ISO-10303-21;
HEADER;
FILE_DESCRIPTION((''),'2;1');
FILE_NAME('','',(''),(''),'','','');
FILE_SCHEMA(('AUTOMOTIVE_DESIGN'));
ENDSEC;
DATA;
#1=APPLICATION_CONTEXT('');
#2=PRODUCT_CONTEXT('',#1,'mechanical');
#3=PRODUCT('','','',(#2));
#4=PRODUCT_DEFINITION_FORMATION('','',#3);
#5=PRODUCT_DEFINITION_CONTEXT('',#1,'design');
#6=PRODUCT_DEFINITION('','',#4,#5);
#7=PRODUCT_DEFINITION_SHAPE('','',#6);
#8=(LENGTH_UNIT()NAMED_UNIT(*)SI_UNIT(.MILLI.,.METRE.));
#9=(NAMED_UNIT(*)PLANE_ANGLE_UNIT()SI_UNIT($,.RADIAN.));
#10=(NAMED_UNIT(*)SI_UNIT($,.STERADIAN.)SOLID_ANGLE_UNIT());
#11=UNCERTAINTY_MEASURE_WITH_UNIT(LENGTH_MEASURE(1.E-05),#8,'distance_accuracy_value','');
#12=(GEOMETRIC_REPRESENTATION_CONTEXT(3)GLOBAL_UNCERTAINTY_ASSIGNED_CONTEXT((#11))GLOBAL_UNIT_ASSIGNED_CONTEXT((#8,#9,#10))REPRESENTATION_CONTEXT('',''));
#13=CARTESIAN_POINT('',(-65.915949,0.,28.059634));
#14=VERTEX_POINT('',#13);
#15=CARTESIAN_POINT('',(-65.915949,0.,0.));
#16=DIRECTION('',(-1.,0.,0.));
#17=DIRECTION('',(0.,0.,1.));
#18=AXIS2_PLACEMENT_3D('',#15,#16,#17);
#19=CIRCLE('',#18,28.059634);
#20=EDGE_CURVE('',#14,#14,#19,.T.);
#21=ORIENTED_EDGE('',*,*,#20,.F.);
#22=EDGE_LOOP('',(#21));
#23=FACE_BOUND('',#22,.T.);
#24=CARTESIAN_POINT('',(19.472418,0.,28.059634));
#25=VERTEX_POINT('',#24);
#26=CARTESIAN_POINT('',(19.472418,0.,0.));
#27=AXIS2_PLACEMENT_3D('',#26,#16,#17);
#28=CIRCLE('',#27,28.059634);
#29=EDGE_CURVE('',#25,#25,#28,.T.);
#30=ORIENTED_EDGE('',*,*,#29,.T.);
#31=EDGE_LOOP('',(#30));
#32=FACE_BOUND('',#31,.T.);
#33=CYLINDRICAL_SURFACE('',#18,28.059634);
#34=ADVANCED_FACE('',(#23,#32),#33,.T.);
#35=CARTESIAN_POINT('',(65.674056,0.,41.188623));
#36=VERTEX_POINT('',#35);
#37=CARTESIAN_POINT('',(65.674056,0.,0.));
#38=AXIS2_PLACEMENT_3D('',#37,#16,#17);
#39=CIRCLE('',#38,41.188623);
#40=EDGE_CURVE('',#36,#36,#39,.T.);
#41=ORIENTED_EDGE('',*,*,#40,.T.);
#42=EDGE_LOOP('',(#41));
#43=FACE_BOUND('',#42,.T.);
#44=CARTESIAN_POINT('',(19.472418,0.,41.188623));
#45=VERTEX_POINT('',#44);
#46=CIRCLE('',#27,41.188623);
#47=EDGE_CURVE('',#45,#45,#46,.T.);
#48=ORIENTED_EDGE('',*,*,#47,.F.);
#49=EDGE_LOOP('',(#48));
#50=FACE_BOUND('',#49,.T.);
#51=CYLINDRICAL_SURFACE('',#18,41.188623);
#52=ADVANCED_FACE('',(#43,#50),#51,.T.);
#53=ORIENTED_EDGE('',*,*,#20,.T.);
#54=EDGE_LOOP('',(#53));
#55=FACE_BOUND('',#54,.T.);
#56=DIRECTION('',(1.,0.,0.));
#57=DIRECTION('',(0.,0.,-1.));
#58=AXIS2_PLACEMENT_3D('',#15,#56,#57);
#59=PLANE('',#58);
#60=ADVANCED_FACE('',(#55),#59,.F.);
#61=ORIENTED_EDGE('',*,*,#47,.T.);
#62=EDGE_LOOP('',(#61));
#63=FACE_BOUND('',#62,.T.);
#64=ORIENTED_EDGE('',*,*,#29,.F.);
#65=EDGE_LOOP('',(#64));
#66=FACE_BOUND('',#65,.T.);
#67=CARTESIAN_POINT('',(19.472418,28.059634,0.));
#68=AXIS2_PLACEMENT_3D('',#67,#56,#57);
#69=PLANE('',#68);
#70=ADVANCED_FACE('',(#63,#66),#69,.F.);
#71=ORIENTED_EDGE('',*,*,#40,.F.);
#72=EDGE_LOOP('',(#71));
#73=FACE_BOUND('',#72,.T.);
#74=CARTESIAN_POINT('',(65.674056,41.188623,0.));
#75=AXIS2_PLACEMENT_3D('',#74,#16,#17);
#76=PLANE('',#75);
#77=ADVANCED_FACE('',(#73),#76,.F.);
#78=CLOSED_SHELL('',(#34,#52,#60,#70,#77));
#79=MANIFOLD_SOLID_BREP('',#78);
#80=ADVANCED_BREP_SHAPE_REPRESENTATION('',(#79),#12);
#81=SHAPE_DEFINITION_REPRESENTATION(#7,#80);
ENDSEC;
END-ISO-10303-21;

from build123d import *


with BuildPart() as part:
    # Esquisse2 → Révolution1 (revolve)
    with BuildSketch(Plane.XY, mode=Mode.PRIVATE) as r_volution1_sk:
        Polygon((-65.915949464, 0), (-65.915949464, 28.059633533), (19.472418098, 28.059633533), (19.472418098, 41.188623293), (65.674056071, 41.188623293), (65.674056071, 0), align=None)
    revolve(r_volution1_sk.sketch.rotate(Axis((-65.915949464, 0, 0), (1, 0, 0)), 90), axis=Axis((-65.915949464, 0, 0), (1, 0, 0)))


solid = part.part
